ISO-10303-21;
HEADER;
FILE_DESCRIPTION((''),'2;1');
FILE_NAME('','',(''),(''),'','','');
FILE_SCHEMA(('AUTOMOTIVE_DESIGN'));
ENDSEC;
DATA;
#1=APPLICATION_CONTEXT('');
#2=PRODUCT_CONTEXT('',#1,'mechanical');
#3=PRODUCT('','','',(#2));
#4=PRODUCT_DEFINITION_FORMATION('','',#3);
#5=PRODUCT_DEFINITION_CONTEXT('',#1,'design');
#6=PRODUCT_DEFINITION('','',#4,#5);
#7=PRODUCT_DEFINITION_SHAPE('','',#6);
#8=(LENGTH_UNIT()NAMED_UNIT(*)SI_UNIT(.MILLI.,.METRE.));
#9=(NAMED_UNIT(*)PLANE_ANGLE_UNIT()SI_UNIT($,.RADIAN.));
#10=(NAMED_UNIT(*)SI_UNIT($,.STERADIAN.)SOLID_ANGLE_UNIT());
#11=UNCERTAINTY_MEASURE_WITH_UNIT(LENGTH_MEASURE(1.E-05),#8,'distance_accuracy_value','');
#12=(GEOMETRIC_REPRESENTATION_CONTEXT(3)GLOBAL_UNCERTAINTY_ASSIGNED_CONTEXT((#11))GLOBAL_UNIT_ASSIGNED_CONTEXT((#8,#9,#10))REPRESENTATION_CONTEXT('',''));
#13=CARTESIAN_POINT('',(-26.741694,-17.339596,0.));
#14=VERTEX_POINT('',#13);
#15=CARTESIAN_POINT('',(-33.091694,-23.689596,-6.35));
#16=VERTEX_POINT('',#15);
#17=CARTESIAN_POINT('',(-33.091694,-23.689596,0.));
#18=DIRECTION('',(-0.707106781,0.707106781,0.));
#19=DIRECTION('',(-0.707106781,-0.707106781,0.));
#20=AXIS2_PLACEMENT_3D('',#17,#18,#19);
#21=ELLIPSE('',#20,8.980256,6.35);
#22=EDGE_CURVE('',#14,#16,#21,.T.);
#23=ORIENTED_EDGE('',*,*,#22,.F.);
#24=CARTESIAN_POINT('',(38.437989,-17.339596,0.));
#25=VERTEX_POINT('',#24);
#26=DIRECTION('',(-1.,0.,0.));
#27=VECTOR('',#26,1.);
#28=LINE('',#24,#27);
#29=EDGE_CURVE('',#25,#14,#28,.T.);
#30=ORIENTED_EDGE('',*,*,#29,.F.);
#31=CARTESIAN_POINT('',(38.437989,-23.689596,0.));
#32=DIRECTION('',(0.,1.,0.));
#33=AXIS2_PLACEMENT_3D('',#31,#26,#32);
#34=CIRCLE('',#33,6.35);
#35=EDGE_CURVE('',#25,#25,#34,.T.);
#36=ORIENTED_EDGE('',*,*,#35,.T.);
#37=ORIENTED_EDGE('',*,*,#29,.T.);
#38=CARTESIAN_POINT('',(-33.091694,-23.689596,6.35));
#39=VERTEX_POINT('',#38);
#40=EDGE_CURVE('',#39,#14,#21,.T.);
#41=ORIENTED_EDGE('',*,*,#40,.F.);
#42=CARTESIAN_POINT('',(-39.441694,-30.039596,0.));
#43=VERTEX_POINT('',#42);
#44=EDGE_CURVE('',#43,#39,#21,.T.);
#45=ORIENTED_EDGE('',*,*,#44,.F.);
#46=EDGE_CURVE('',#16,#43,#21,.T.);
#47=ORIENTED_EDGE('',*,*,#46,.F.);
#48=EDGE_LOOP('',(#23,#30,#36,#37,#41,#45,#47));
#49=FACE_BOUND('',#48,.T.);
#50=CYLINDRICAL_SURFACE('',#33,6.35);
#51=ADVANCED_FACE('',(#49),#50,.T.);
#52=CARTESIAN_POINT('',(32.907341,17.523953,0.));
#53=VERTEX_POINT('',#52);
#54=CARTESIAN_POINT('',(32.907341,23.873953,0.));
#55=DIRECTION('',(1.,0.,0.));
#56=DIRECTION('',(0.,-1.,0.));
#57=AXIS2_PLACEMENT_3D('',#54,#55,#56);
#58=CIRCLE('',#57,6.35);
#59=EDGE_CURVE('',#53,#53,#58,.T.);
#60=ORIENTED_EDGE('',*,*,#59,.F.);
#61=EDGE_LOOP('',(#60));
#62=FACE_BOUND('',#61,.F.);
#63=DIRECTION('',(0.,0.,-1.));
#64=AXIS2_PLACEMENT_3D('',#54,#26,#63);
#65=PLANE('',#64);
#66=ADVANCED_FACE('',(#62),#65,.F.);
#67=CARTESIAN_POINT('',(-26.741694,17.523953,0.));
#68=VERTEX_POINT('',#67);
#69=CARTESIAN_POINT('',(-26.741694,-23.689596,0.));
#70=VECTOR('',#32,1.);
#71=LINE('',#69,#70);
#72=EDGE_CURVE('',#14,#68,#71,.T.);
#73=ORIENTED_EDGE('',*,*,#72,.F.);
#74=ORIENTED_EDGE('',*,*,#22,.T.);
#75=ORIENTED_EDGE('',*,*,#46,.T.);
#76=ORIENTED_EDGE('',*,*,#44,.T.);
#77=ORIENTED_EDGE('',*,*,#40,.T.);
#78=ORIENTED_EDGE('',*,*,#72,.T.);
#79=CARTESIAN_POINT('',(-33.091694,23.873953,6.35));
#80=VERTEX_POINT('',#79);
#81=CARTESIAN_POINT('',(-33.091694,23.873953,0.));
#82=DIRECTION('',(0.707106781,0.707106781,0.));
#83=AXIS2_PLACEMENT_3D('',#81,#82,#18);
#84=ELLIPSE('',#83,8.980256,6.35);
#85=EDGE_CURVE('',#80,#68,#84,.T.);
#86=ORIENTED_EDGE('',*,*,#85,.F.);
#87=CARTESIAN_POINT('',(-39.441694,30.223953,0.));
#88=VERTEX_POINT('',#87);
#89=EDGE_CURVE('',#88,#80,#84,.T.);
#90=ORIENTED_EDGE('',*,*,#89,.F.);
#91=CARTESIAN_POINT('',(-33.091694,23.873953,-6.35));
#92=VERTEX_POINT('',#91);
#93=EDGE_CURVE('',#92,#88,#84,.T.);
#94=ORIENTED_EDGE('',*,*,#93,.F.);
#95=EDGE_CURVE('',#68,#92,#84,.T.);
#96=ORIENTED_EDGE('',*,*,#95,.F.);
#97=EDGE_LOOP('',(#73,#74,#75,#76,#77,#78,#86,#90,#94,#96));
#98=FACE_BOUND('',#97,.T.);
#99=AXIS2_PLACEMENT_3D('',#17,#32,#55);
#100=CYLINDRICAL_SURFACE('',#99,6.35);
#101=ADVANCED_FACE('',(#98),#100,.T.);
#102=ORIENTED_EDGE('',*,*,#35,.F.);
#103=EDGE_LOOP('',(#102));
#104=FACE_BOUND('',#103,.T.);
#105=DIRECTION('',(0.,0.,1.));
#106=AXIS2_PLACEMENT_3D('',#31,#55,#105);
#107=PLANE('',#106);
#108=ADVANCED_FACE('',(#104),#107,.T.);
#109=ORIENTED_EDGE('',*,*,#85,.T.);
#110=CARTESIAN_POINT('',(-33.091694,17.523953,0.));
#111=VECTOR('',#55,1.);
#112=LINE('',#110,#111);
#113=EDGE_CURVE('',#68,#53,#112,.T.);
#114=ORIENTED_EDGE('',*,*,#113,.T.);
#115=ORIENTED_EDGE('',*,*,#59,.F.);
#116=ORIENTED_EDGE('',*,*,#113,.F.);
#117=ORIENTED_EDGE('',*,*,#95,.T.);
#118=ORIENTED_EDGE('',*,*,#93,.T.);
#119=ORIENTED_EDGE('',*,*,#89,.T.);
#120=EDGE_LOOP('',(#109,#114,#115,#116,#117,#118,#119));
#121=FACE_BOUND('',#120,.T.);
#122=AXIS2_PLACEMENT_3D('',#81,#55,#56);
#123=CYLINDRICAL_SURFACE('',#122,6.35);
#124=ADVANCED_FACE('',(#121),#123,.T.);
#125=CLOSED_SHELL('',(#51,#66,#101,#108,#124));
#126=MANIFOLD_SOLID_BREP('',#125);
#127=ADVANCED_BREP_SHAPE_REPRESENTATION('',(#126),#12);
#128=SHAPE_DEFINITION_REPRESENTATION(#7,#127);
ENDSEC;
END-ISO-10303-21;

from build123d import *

# Parameters (mm, degrees)
F2_R = 6.35


with BuildPart() as f3:
    # F3: sweep along a path in F0
    with BuildLine(Plane.XY) as f3_path:
        Line((38.4379886091, -23.6895959824), (-33.0916941166, -23.6895959824))
        Line((-33.0916941166, -23.6895959824), (-33.0916941166, 23.8739531487))
        Line((-33.0916941166, 23.8739531487), (32.9073406756, 23.8739531487))
    # F2 (on plane+point) → F3 (sweep)
    with BuildSketch(Plane.YZ.offset(38.4379886091)):
        with Locations((-23.6895959824, 0)):
            Circle(F2_R)
    sweep(path=f3_path.line, transition=Transition.RIGHT)


solid = f3.part
